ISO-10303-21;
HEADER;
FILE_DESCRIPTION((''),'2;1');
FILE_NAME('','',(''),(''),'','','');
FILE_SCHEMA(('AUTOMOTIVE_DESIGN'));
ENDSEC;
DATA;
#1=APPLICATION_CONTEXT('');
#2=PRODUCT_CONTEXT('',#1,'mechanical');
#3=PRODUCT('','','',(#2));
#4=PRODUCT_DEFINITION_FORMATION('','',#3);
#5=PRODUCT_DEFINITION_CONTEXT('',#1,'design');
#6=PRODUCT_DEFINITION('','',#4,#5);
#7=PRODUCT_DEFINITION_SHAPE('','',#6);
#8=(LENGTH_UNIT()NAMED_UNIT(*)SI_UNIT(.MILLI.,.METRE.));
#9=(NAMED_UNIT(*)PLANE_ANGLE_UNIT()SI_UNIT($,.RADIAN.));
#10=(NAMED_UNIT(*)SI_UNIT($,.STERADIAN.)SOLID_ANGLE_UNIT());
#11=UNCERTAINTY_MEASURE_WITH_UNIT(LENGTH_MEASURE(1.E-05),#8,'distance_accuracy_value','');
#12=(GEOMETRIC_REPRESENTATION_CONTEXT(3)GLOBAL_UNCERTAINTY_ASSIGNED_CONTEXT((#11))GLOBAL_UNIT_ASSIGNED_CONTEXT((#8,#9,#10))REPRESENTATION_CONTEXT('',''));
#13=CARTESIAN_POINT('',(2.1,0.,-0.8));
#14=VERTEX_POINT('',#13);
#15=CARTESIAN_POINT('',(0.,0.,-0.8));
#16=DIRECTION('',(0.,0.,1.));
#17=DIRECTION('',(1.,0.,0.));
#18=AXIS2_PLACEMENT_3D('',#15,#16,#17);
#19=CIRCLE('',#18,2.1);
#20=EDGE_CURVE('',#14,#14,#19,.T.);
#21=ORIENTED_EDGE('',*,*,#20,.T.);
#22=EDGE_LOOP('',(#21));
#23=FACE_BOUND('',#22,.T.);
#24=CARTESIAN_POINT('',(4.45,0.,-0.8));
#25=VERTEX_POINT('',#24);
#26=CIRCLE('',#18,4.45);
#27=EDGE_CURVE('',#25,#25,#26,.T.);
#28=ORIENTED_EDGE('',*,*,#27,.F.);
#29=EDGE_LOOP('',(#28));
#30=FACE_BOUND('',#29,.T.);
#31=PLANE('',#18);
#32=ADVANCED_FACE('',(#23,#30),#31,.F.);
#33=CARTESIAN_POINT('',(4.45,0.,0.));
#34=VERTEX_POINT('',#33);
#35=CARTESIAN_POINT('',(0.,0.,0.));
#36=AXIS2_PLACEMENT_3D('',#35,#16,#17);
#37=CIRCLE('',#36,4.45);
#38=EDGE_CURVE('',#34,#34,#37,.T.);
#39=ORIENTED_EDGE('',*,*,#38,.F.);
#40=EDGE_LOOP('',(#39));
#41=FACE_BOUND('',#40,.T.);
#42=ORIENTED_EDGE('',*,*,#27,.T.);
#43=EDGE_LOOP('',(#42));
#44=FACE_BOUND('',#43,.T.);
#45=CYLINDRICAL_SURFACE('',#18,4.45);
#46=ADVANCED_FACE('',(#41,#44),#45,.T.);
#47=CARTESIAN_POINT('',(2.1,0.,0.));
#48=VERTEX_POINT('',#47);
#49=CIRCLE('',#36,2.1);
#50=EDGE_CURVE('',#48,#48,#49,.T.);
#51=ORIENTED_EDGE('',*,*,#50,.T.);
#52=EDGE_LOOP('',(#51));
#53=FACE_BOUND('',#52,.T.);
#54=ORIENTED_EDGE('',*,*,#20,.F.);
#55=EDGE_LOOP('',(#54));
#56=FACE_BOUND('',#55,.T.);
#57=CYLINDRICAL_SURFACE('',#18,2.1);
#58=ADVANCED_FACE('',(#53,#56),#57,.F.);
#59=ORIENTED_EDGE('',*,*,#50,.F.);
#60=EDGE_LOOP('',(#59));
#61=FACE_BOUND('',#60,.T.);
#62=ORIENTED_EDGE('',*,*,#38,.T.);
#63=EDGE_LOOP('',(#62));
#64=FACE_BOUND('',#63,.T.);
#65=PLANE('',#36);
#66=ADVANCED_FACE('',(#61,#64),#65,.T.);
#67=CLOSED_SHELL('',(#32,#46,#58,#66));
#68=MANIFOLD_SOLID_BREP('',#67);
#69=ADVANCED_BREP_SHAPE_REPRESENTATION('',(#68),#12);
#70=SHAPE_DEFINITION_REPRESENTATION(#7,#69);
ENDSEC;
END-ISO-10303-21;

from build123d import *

# Parameters (mm, degrees)
SKETCH1_R      = 4.45
SKETCH1_R_2    = 2.1
EXTRUDE1_DEPTH = 0.8


with BuildPart() as part:
    # Sketch1 → Extrude1 (new body)
    with BuildSketch(Plane.XY):
        Circle(SKETCH1_R)
        Circle(SKETCH1_R_2, mode=Mode.SUBTRACT)
    extrude(amount=-EXTRUDE1_DEPTH)


solid = part.part
